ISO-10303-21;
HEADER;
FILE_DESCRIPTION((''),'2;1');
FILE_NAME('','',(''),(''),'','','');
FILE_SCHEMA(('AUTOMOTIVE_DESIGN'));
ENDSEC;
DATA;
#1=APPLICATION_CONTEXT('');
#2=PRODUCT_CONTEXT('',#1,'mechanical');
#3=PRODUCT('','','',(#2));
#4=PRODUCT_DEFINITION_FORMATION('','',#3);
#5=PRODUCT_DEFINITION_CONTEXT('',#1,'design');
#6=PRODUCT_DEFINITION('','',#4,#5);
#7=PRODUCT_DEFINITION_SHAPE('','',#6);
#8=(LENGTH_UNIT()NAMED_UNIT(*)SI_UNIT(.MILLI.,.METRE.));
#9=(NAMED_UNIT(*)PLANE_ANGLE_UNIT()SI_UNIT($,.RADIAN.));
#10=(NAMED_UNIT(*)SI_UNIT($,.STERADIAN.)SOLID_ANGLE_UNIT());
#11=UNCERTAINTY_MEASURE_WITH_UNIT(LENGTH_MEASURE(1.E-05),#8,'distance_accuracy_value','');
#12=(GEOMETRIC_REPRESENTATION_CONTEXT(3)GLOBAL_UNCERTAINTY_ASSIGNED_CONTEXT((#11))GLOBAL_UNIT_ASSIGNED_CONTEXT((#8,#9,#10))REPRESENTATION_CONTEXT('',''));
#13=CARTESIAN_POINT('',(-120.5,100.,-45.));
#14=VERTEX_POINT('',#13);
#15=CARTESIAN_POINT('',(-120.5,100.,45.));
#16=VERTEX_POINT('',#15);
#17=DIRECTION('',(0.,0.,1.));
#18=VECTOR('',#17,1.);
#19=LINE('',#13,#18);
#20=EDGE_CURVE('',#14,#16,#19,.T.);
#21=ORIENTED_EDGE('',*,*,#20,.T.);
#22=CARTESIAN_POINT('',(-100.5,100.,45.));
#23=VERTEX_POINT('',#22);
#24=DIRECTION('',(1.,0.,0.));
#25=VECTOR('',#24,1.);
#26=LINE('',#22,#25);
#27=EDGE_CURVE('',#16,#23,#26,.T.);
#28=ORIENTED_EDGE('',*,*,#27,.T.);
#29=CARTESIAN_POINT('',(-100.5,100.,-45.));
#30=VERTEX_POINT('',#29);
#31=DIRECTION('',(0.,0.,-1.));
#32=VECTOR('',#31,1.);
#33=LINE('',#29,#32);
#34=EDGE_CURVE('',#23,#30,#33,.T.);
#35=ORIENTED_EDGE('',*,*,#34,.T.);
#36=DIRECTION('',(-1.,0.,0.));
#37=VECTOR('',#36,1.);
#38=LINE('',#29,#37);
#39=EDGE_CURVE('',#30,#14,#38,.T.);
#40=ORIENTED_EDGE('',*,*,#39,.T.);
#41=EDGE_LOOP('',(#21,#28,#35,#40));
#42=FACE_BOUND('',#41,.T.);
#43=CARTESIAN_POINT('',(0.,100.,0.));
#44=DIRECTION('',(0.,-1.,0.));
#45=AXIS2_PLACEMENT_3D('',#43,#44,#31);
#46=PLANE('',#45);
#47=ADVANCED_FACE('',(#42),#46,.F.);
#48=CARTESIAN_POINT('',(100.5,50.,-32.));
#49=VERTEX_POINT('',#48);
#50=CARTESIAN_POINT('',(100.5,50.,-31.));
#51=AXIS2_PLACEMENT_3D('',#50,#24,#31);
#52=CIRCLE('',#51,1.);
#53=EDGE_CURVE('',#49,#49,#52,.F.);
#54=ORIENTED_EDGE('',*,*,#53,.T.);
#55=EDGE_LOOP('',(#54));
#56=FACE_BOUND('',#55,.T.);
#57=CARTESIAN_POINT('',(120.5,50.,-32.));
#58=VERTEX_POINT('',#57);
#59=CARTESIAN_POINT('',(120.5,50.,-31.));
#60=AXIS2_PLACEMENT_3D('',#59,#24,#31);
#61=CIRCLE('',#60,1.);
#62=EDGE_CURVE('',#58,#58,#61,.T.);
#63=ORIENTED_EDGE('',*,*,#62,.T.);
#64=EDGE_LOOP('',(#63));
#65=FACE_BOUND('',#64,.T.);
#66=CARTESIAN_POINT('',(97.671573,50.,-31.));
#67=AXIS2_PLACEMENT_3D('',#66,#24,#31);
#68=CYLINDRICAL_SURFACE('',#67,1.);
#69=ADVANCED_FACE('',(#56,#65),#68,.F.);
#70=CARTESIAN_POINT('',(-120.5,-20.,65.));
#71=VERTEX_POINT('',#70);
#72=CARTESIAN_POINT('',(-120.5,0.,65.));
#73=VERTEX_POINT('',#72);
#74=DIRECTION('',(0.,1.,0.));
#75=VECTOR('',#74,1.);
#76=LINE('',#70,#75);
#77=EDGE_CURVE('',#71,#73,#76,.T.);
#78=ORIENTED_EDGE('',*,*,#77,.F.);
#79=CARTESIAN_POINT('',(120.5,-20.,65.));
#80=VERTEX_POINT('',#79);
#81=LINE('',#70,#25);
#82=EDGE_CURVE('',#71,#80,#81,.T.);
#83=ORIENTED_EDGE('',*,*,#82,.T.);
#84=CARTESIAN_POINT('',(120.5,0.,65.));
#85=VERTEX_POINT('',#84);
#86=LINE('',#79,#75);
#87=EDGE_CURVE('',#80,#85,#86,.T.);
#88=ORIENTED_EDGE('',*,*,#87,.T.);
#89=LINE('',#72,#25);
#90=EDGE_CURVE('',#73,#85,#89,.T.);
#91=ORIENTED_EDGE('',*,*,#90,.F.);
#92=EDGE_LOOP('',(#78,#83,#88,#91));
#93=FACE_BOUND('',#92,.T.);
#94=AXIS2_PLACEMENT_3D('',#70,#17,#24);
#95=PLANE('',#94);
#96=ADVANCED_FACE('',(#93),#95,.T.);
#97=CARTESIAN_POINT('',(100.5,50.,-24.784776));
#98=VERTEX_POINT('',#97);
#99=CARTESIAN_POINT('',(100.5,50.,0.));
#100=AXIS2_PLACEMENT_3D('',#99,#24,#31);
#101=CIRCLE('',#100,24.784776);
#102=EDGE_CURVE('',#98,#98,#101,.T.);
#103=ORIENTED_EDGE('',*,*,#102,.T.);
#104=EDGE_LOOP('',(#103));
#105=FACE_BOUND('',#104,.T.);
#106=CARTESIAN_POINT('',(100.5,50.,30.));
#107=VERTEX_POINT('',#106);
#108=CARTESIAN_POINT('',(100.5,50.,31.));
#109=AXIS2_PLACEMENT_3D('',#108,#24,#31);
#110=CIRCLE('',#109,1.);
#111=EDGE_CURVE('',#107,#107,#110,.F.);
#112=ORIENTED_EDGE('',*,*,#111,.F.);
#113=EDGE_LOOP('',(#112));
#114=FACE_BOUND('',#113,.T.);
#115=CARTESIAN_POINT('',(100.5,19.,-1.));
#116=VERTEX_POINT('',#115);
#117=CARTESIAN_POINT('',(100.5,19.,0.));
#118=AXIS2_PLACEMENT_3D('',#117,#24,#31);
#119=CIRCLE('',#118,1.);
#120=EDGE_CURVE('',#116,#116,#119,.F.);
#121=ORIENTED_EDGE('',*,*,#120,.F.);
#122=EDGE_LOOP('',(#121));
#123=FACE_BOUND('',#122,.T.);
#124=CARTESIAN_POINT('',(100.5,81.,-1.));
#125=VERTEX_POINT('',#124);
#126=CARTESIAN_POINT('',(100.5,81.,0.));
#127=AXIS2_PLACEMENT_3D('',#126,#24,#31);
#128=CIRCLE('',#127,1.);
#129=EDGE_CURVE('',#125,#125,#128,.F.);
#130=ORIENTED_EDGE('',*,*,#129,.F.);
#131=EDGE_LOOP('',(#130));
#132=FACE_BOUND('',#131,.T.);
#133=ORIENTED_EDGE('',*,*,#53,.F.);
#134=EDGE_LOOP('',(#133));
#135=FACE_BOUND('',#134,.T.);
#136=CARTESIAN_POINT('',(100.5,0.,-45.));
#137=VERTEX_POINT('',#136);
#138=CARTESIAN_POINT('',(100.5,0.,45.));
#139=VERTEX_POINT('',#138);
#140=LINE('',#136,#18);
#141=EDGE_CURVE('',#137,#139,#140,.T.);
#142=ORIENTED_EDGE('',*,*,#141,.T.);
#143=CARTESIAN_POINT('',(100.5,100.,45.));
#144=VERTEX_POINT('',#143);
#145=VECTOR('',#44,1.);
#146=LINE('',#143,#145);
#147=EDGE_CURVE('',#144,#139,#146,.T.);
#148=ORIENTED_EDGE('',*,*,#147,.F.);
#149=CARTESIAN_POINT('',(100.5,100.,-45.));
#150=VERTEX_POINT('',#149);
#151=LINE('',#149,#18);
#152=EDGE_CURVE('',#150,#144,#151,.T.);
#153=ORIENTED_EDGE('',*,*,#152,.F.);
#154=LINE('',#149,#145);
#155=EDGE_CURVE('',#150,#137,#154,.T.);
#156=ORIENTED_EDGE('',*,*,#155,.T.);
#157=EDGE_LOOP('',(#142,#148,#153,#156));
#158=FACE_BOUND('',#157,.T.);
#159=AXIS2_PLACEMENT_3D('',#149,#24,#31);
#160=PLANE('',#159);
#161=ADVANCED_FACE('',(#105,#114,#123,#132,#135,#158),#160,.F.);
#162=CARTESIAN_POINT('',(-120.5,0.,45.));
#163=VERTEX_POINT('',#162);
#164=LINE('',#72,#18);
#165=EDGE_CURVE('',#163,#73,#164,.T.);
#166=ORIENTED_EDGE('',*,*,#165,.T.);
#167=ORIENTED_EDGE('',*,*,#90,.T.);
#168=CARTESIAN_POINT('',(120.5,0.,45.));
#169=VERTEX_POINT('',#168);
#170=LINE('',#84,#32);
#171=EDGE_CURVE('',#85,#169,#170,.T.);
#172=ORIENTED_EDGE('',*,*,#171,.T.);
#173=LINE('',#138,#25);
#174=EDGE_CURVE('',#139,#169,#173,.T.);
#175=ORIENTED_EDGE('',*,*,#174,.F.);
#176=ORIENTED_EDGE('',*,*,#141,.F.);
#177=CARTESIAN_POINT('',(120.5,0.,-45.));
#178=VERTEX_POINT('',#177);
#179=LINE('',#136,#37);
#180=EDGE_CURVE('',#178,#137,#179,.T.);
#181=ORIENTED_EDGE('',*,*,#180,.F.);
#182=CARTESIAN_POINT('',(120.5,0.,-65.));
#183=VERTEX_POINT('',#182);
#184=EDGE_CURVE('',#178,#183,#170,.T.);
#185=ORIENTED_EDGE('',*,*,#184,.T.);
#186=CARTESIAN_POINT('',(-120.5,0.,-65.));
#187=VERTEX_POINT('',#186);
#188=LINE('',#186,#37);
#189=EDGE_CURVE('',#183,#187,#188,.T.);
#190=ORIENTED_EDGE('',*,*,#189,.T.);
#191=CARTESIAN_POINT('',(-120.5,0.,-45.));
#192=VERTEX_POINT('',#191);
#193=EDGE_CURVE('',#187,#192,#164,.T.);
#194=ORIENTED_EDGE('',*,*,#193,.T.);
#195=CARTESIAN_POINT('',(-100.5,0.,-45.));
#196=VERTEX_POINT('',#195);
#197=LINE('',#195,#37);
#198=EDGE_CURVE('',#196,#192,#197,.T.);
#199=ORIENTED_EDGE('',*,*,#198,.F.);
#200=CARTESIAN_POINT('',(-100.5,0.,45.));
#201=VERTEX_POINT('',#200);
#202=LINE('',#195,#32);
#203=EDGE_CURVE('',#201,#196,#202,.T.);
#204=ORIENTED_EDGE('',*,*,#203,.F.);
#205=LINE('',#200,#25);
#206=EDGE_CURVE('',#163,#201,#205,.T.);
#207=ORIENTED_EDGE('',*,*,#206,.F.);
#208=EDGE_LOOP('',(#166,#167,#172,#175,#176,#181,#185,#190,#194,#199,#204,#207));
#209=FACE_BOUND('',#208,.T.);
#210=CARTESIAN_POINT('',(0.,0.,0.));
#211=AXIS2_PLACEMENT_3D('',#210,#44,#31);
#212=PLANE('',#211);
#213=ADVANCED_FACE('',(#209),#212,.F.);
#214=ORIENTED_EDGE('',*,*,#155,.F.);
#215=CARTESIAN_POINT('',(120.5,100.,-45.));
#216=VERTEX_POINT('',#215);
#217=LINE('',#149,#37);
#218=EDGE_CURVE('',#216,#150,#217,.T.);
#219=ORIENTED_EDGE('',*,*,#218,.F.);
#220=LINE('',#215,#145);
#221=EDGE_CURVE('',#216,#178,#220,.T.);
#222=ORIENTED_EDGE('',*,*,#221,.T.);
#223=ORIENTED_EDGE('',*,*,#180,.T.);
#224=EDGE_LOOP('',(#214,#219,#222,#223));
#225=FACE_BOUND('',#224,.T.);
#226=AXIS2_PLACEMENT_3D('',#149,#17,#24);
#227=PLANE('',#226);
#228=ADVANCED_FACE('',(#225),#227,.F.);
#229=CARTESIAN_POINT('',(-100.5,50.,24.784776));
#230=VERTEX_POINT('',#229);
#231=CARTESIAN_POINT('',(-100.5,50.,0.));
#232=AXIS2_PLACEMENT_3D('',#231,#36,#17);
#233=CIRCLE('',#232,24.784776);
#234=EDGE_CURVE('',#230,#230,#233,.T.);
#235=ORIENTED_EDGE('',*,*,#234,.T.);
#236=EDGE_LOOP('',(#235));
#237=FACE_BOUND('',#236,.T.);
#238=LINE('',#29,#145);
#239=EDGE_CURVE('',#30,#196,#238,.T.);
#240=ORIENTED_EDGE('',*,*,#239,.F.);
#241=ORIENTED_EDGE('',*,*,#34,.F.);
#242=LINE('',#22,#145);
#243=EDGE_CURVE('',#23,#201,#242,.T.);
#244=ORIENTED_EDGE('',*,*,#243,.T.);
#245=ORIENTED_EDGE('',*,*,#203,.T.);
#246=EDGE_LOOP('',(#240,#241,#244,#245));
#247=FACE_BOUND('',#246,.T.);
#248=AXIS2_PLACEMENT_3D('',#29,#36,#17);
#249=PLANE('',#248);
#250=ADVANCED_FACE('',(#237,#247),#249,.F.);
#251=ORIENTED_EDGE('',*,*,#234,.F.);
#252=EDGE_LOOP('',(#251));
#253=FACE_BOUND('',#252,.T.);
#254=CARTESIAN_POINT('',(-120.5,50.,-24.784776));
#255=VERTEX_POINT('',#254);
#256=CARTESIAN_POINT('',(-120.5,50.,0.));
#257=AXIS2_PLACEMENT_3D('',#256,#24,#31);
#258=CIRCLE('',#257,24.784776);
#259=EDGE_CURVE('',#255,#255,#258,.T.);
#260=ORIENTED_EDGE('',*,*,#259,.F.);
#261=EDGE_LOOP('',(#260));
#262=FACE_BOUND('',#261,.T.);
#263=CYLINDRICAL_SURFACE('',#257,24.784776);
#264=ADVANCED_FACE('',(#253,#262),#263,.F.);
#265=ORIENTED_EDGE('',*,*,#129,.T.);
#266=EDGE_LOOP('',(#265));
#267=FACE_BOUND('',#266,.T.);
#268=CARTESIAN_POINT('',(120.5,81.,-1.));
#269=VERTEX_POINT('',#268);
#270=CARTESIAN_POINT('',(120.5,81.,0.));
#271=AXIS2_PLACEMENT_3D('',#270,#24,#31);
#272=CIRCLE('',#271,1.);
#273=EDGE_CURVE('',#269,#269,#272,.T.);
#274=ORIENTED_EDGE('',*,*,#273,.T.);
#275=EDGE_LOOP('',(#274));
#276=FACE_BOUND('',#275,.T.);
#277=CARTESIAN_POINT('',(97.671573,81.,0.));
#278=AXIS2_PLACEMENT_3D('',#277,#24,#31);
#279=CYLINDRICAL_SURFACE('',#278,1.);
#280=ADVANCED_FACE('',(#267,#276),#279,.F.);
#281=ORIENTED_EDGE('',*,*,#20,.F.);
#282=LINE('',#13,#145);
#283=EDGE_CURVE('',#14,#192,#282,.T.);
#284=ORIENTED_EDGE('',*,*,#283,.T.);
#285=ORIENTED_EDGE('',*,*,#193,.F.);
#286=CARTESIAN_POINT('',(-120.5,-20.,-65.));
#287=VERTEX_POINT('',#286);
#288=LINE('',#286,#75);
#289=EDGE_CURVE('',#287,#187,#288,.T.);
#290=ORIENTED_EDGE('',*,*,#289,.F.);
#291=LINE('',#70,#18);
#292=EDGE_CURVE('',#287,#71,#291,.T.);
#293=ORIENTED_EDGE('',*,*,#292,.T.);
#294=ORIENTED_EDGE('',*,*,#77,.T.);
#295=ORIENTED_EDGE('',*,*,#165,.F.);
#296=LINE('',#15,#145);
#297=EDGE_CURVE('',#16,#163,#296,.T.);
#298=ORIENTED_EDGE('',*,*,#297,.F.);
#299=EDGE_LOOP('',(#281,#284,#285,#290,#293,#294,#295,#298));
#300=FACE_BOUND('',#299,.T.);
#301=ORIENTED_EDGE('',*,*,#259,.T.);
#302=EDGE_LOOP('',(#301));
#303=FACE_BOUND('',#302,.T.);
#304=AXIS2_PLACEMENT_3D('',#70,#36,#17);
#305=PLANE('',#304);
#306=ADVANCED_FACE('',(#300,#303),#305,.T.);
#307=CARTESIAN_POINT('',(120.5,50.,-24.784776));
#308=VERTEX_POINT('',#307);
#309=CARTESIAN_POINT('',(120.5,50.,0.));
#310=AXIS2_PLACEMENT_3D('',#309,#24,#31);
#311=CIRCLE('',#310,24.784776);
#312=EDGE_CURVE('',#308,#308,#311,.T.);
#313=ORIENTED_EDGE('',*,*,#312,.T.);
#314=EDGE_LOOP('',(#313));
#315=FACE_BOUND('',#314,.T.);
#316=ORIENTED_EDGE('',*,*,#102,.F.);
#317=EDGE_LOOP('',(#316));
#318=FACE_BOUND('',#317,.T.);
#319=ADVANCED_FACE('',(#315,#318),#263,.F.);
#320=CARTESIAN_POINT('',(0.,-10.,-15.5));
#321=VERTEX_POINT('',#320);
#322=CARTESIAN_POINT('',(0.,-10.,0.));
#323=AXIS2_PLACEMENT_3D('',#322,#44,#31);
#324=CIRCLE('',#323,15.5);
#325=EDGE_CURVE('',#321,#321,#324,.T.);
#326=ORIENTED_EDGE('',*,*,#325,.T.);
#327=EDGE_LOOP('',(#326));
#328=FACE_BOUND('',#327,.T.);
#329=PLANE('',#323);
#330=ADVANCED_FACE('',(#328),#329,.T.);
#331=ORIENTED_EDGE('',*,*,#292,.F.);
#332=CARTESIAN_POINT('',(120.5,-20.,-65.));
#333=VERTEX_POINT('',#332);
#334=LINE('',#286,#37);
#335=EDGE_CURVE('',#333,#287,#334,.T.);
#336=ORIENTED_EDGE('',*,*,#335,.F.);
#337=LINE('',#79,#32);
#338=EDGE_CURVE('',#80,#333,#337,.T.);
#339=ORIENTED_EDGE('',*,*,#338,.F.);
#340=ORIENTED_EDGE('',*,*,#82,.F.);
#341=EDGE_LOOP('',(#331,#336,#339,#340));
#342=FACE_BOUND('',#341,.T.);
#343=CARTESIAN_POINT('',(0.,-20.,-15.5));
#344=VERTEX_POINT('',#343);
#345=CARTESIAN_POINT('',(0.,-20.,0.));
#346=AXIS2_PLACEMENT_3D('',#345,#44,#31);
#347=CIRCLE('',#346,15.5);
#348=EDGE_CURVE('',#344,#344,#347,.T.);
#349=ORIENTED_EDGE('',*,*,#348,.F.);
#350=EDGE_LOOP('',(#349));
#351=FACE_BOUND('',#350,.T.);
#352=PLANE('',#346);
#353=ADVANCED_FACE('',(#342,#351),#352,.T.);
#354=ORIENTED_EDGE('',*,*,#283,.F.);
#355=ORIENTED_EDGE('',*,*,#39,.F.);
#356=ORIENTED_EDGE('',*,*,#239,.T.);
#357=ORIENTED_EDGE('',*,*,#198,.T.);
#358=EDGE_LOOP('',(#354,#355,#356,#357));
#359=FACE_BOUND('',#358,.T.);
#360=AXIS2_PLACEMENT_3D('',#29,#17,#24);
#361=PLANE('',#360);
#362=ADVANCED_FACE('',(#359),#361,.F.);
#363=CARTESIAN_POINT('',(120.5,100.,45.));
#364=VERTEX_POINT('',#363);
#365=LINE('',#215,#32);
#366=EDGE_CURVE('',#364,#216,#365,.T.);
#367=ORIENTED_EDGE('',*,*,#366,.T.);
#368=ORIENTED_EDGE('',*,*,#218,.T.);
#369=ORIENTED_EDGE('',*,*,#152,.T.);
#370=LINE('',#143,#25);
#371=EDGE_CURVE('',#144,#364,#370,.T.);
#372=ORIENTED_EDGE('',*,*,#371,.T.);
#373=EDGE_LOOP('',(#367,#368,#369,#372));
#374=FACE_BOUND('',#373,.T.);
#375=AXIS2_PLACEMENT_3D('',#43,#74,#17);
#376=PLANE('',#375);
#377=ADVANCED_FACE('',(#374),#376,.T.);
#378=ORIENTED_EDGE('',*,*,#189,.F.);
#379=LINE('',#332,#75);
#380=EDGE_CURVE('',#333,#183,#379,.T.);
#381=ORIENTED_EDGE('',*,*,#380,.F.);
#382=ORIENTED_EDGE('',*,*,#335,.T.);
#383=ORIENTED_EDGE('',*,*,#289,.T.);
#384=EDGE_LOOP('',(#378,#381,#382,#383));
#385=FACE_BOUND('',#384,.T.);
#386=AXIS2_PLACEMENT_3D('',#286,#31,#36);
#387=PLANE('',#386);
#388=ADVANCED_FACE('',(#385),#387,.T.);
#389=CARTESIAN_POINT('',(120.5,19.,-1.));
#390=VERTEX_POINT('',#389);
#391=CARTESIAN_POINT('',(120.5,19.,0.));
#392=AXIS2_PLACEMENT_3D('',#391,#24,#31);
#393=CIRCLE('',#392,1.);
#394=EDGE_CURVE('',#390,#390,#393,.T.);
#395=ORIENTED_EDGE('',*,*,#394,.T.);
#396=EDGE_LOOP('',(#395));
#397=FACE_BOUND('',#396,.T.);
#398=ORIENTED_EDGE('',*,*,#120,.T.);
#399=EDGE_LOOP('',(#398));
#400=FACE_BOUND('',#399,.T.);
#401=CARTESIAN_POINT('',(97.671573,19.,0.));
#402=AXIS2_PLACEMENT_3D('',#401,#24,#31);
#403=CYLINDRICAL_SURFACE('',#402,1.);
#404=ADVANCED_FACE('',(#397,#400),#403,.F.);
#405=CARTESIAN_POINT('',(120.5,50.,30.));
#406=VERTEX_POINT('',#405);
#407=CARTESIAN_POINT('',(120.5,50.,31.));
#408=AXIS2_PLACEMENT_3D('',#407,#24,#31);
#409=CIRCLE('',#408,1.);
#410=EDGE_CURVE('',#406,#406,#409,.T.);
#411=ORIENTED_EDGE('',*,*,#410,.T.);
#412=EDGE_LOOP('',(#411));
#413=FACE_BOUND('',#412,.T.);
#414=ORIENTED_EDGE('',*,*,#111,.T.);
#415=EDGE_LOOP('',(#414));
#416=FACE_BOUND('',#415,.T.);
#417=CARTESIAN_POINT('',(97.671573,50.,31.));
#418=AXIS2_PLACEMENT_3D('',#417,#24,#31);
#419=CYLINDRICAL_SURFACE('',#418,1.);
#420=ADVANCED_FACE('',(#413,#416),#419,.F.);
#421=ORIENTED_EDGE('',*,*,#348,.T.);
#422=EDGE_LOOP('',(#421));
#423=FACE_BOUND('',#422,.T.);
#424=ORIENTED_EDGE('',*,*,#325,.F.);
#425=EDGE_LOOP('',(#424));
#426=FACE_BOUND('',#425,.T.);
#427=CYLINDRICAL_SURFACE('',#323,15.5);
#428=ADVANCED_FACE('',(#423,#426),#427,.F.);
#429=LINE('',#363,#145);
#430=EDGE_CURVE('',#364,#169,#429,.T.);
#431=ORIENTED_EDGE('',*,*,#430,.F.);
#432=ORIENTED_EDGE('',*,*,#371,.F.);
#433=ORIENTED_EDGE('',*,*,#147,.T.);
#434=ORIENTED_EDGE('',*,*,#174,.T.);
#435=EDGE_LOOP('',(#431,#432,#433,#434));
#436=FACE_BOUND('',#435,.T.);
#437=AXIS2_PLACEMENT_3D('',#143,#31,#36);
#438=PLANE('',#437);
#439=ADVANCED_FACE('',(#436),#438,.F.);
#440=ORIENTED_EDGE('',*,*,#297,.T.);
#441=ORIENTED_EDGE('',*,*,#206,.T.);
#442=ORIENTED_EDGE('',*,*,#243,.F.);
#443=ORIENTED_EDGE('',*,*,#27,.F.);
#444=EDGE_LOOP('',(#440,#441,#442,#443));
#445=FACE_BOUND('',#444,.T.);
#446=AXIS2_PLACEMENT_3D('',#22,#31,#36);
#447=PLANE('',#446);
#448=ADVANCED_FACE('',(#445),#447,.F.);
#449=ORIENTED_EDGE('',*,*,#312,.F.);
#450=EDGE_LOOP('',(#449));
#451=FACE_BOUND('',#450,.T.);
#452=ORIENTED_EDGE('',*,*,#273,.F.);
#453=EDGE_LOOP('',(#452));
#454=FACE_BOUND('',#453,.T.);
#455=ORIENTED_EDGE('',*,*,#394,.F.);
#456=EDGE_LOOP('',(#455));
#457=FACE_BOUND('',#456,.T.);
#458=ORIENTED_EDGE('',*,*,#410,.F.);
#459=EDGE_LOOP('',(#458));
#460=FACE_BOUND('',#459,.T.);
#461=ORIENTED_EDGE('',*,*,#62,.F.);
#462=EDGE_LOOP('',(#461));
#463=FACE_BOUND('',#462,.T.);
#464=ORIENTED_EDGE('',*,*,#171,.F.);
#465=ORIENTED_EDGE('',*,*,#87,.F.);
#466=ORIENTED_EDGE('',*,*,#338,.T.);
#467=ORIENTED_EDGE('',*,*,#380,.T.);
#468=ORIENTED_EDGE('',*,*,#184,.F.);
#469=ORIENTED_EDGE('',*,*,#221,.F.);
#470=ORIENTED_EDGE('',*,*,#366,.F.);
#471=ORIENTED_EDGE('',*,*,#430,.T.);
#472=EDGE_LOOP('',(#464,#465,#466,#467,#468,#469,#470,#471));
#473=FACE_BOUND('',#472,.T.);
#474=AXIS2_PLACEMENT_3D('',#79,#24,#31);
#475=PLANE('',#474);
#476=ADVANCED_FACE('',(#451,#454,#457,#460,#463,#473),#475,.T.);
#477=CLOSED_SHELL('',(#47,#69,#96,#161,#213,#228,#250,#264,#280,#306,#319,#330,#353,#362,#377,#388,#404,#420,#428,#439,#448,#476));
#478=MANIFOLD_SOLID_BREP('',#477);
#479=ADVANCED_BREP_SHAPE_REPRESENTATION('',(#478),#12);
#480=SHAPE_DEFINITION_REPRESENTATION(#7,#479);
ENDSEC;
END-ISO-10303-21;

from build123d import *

# Parameters (mm, degrees)
SKETCH5_W               = 241
SKETCH5_H               = 130
BOSS_EXTRUDE2_DEPTH     = 20
SKETCH6_W               = 20
SKETCH6_H               = 90
BOSS_EXTRUDE3_DEPTH     = 100
CUT_EXTRUDE1_DEPTH      = 269.897750084
CUT_EXTRUDE1_DEPTH_BACK = 269.897750084
SKETCH8_R               = 24.784776311
SKETCH9_R               = 15.5
CUT_EXTRUDE2_DEPTH      = 10
SKETCH10_R              = 1
CUT_EXTRUDE3_DEPTH      = 20


with BuildPart() as part:
    # Sketch5 → Boss-Extrude2 (new body)
    with BuildSketch(Plane(origin=(0, 0, 0), x_dir=(1, 0, 0), z_dir=(0, 1, 0))):
        Rectangle(SKETCH5_W, SKETCH5_H)
    extrude(amount=-BOSS_EXTRUDE2_DEPTH)

    # Sketch6 → Boss-Extrude3 (add)
    with BuildSketch(Plane(origin=(0, 0, 0), x_dir=(1, 0, 0), z_dir=(0, 1, 0))):
        with Locations((110.5, 0)):
            Rectangle(SKETCH6_W, SKETCH6_H)
        with Locations((-110.5, 0)):
            Rectangle(SKETCH6_W, SKETCH6_H)
    extrude(amount=BOSS_EXTRUDE3_DEPTH)

    # Sketch8 → Cut-Extrude1 (cut, two sides: drawn at the far end of the back side and taken through both)
    with BuildSketch(Plane(origin=(120.5, 0, 0), x_dir=(0, 0, -1), z_dir=(1, 0, 0)).offset(-CUT_EXTRUDE1_DEPTH_BACK)):
        with Locations((0, 50)):
            Circle(SKETCH8_R)
    extrude(amount=CUT_EXTRUDE1_DEPTH + CUT_EXTRUDE1_DEPTH_BACK, mode=Mode.SUBTRACT)

    # Sketch9 → Cut-Extrude2 (cut)
    with BuildSketch(Plane.XZ.offset(20)):
        with Locations(Location((0, 0, 0), (0, 0, 270))):
            Circle(SKETCH9_R)
    extrude(amount=-CUT_EXTRUDE2_DEPTH, mode=Mode.SUBTRACT)

    # Sketch10 → Cut-Extrude3 (cut)
    with BuildSketch(Plane(origin=(120.5, 0, 0), x_dir=(0, 0, -1), z_dir=(1, 0, 0))):
        with Locations((0, 81)):
            Circle(SKETCH10_R)
        with Locations((-31, 50)):
            Circle(SKETCH10_R)
        with Locations((31, 50)):
            Circle(SKETCH10_R)
        with Locations((0, 19)):
            Circle(SKETCH10_R)
    extrude(amount=-CUT_EXTRUDE3_DEPTH, mode=Mode.SUBTRACT)


solid = part.part
